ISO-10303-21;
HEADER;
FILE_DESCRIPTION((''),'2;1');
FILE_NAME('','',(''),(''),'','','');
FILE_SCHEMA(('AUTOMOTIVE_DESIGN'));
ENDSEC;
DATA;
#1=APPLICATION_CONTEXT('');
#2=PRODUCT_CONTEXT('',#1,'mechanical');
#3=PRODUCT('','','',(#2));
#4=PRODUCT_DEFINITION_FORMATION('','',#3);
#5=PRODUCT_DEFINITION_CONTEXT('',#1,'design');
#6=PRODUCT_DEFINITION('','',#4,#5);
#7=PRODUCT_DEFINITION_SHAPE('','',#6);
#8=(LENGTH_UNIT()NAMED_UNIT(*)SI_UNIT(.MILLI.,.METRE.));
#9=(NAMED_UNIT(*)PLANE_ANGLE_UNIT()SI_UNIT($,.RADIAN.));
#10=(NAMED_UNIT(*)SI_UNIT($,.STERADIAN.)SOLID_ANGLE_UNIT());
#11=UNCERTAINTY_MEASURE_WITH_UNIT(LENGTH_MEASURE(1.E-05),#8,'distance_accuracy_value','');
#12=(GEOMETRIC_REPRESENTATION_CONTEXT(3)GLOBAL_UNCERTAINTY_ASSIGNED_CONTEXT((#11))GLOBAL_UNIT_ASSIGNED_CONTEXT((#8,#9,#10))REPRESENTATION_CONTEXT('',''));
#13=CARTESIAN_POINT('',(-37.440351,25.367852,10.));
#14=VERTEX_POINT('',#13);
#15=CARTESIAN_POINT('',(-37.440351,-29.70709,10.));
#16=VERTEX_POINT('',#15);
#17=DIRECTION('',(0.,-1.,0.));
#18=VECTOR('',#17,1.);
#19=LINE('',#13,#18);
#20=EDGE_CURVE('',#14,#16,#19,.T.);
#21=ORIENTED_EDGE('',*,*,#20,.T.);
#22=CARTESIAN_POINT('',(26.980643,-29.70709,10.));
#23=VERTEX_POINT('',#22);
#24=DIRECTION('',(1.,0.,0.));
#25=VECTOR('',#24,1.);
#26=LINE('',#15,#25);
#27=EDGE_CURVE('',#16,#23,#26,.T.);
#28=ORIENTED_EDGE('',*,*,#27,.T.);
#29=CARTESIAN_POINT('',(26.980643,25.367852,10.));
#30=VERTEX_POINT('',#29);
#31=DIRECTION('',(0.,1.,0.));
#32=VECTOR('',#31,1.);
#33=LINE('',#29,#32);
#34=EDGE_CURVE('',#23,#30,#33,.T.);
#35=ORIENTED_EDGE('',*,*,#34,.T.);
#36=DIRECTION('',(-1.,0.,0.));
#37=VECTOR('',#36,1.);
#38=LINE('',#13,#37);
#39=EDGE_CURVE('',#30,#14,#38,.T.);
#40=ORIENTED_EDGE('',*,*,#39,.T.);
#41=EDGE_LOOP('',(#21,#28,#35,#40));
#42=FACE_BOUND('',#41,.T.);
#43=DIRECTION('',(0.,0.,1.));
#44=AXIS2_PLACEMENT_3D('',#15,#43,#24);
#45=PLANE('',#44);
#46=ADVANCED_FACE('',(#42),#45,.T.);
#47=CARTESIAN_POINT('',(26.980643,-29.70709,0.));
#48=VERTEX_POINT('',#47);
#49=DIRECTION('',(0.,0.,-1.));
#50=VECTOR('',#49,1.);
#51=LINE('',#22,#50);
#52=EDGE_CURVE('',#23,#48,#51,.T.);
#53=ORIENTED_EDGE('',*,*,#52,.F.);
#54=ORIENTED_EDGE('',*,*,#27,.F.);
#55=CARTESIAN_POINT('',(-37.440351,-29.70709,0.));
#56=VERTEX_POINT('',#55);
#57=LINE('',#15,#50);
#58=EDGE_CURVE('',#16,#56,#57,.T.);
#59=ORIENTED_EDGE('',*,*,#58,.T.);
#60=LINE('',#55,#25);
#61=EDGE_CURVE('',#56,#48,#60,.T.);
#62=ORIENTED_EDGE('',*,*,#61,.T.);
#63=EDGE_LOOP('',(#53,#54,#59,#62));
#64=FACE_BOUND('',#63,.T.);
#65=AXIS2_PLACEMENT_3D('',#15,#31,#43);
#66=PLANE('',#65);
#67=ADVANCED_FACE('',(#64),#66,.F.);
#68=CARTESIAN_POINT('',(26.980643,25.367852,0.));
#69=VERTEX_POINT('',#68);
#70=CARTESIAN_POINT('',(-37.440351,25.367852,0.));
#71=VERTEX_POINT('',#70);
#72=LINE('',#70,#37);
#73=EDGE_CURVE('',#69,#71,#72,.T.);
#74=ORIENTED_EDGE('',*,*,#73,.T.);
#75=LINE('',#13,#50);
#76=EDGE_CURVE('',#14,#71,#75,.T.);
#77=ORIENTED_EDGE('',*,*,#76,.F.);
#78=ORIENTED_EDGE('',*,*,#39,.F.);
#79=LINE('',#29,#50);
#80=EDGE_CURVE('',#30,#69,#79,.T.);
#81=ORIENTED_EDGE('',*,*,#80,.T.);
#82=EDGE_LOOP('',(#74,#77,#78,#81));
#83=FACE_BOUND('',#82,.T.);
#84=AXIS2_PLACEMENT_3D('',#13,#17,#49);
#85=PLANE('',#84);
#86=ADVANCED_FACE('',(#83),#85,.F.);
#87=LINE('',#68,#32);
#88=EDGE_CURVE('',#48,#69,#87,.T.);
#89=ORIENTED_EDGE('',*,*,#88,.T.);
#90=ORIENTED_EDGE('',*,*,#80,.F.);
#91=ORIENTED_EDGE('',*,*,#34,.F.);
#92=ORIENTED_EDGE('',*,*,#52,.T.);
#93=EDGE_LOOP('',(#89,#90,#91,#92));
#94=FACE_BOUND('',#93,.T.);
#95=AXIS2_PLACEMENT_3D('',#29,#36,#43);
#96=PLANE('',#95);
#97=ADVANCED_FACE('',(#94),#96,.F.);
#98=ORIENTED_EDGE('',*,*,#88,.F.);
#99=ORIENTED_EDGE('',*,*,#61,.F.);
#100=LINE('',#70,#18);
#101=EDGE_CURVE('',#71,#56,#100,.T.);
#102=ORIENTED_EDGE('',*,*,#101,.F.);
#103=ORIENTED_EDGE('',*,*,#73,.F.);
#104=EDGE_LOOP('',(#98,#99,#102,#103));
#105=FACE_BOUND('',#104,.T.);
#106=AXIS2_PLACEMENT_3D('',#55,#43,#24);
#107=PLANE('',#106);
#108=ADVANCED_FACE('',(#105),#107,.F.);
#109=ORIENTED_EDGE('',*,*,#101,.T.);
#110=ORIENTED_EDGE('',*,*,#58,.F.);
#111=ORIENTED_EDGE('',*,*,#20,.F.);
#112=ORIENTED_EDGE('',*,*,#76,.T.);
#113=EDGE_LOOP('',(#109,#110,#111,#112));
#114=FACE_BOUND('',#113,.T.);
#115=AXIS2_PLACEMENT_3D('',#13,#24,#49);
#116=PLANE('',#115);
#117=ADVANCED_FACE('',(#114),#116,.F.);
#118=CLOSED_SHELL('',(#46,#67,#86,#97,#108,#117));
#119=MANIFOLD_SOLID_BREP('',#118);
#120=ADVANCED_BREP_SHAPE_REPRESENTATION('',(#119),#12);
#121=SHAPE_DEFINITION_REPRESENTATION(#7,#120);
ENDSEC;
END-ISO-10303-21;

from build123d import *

# Parameters (mm, degrees)
SKETCH1_W      = 64.42099369
SKETCH1_H      = 55.074942791
EXTRUDE1_DEPTH = 10


with BuildPart() as part:
    # Sketch1 → Extrude1 (new body)
    with BuildSketch(Plane.XY):
        with Locations((-5.229854302, -2.169618959)):
            Rectangle(SKETCH1_W, SKETCH1_H)
    extrude(amount=EXTRUDE1_DEPTH)


solid = part.part
